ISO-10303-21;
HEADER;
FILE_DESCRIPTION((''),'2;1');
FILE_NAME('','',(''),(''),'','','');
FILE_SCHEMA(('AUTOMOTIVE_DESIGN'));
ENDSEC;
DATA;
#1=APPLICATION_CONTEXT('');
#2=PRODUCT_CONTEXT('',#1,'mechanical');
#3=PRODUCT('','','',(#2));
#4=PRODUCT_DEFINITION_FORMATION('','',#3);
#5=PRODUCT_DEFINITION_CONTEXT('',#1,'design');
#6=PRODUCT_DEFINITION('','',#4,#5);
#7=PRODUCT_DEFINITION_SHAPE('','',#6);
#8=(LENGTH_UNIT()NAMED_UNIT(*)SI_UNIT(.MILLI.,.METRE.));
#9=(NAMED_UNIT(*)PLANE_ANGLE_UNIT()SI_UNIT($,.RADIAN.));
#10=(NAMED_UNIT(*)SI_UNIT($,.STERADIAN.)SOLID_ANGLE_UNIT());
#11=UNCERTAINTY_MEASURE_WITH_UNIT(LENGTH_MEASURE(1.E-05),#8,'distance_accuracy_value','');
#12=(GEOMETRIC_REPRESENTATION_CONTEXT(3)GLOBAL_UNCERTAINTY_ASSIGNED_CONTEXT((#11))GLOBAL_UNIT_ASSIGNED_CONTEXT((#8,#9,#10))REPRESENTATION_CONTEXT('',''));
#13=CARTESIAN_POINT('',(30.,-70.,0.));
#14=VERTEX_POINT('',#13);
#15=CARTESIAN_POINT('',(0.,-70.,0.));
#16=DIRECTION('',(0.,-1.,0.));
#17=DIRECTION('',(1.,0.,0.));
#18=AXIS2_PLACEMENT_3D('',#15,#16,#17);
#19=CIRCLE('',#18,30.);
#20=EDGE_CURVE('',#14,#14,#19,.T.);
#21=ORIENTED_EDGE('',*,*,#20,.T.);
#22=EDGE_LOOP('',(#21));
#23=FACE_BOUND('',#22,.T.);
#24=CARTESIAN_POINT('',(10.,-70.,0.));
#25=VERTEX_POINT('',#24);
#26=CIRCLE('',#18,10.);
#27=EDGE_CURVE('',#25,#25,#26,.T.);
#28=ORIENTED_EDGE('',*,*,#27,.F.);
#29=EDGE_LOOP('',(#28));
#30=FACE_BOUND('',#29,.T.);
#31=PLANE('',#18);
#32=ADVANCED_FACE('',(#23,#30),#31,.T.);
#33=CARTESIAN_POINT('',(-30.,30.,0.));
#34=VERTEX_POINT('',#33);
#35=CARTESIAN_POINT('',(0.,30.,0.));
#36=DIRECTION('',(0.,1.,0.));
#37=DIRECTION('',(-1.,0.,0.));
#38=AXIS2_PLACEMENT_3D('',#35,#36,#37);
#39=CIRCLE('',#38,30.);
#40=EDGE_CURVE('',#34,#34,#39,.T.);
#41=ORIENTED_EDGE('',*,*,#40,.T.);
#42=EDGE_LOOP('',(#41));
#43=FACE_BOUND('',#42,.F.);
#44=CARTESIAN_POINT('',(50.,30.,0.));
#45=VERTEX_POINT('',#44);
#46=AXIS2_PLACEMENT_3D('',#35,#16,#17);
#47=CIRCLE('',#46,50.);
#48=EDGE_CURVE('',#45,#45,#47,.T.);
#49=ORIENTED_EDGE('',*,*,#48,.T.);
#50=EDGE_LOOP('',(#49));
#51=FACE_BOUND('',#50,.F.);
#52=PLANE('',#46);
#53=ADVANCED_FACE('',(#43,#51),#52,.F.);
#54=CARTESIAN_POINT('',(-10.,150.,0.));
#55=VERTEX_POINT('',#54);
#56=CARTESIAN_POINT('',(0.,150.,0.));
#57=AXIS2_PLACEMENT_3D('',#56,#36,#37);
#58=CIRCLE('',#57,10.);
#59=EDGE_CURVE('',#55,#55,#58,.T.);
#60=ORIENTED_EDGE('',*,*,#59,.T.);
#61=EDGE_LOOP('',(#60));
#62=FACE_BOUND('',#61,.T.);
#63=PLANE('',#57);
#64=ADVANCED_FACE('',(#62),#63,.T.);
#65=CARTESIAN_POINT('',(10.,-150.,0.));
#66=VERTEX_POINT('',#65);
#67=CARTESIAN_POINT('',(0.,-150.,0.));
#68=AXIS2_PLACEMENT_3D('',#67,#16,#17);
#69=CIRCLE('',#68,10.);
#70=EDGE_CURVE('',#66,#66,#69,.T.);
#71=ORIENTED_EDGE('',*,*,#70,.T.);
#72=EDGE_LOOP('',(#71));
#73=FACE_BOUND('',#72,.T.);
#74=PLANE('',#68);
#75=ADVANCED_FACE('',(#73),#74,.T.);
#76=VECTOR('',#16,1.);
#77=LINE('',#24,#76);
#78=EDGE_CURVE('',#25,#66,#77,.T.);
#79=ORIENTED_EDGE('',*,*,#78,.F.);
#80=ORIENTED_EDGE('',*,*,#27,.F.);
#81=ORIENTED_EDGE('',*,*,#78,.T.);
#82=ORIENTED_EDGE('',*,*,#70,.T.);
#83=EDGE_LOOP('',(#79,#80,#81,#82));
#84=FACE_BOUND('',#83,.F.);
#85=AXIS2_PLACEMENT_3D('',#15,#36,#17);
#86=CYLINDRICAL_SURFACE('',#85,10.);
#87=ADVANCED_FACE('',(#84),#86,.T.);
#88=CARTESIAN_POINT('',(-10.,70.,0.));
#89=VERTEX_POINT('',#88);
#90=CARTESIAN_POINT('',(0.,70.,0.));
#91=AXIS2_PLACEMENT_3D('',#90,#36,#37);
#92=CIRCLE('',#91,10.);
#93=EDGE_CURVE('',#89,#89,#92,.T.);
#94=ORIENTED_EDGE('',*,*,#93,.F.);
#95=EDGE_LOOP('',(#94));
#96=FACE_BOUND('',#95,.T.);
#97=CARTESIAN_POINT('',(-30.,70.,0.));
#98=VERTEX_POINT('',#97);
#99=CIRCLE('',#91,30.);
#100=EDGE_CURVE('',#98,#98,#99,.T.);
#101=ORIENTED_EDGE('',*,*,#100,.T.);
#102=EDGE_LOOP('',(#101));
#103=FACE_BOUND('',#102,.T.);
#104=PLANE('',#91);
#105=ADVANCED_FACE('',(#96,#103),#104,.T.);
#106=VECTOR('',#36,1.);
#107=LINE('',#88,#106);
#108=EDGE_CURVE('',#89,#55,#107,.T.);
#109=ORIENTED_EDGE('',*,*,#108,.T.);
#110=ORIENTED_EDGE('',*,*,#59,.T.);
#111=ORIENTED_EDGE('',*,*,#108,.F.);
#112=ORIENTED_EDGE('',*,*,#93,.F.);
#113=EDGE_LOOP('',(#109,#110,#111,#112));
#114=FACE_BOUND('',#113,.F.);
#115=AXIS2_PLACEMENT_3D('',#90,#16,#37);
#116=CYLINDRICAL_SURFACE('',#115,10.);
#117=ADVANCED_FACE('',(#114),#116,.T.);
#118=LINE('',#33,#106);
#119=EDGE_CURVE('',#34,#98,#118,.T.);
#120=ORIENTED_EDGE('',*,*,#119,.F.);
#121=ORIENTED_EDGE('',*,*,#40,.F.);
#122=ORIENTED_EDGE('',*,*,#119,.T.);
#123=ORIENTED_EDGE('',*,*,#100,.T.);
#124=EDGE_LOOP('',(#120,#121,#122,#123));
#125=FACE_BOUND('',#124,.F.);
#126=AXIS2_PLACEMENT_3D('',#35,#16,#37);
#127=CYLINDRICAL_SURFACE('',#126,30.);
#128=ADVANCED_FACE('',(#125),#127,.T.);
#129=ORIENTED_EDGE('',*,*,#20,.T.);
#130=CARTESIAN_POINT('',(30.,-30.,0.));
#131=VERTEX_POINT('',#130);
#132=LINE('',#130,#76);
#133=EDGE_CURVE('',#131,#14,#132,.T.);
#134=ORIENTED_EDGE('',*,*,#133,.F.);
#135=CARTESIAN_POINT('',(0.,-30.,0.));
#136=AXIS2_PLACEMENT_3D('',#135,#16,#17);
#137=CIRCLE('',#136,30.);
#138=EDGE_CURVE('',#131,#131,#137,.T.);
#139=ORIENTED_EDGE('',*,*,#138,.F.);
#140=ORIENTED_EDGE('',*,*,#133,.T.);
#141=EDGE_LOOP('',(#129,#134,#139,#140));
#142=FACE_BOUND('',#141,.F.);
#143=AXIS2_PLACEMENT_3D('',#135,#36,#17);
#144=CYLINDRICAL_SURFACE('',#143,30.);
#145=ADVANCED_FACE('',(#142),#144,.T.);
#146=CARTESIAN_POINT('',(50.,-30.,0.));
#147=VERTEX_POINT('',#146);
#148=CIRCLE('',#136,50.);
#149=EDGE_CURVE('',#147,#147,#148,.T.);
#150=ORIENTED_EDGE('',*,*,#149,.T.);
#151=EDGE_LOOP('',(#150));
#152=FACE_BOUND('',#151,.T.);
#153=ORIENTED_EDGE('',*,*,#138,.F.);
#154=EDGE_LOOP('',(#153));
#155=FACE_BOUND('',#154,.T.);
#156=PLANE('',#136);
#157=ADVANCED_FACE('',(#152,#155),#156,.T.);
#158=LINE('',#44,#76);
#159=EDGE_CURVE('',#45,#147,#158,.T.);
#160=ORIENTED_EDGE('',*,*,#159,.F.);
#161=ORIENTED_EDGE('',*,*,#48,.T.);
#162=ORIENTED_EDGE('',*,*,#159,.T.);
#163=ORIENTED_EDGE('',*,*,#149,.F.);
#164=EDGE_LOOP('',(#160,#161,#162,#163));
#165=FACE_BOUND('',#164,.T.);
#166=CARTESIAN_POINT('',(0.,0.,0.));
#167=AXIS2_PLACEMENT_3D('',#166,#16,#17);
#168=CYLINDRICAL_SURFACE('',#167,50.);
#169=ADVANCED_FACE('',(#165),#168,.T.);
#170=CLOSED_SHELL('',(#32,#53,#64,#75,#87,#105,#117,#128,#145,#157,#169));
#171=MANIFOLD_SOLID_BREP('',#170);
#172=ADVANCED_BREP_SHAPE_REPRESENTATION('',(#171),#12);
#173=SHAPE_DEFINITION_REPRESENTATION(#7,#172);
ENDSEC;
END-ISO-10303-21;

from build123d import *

# Parameters (mm, degrees)
F0_R     = 50
F1_DEPTH = 30
F2_R     = 30
F3_DEPTH = 40
F4_R     = 30
F5_DEPTH = 40
F6_R     = 10
F7_DEPTH = 80
F8_R     = 10
F9_DEPTH = 80


with BuildPart() as f1:
    # F0 (on Front) → F1 (new body, symmetric)
    with BuildSketch(Plane.XZ):
        Circle(F0_R)
    extrude(amount=F1_DEPTH, both=True)

    # F2 (on face) → F3 (join)
    with BuildSketch(Plane.XZ.offset(30)):
        Circle(F2_R)
    extrude(amount=F3_DEPTH)

    # F4 (on face) → F5 (join)
    with BuildSketch(Plane(origin=(0, 30, 0), x_dir=(-1, 0, 0), z_dir=(0, 1, 0))):
        Circle(F4_R)
    extrude(amount=F5_DEPTH)

    # F6 (on face) → F7 (join)
    with BuildSketch(Plane.XZ.offset(70)):
        Circle(F6_R)
    extrude(amount=F7_DEPTH)

    # F8 (on face) → F9 (join)
    with BuildSketch(Plane(origin=(0, 70, 0), x_dir=(-1, 0, 0), z_dir=(0, 1, 0))):
        Circle(F8_R)
    extrude(amount=F9_DEPTH)


solid = f1.part
